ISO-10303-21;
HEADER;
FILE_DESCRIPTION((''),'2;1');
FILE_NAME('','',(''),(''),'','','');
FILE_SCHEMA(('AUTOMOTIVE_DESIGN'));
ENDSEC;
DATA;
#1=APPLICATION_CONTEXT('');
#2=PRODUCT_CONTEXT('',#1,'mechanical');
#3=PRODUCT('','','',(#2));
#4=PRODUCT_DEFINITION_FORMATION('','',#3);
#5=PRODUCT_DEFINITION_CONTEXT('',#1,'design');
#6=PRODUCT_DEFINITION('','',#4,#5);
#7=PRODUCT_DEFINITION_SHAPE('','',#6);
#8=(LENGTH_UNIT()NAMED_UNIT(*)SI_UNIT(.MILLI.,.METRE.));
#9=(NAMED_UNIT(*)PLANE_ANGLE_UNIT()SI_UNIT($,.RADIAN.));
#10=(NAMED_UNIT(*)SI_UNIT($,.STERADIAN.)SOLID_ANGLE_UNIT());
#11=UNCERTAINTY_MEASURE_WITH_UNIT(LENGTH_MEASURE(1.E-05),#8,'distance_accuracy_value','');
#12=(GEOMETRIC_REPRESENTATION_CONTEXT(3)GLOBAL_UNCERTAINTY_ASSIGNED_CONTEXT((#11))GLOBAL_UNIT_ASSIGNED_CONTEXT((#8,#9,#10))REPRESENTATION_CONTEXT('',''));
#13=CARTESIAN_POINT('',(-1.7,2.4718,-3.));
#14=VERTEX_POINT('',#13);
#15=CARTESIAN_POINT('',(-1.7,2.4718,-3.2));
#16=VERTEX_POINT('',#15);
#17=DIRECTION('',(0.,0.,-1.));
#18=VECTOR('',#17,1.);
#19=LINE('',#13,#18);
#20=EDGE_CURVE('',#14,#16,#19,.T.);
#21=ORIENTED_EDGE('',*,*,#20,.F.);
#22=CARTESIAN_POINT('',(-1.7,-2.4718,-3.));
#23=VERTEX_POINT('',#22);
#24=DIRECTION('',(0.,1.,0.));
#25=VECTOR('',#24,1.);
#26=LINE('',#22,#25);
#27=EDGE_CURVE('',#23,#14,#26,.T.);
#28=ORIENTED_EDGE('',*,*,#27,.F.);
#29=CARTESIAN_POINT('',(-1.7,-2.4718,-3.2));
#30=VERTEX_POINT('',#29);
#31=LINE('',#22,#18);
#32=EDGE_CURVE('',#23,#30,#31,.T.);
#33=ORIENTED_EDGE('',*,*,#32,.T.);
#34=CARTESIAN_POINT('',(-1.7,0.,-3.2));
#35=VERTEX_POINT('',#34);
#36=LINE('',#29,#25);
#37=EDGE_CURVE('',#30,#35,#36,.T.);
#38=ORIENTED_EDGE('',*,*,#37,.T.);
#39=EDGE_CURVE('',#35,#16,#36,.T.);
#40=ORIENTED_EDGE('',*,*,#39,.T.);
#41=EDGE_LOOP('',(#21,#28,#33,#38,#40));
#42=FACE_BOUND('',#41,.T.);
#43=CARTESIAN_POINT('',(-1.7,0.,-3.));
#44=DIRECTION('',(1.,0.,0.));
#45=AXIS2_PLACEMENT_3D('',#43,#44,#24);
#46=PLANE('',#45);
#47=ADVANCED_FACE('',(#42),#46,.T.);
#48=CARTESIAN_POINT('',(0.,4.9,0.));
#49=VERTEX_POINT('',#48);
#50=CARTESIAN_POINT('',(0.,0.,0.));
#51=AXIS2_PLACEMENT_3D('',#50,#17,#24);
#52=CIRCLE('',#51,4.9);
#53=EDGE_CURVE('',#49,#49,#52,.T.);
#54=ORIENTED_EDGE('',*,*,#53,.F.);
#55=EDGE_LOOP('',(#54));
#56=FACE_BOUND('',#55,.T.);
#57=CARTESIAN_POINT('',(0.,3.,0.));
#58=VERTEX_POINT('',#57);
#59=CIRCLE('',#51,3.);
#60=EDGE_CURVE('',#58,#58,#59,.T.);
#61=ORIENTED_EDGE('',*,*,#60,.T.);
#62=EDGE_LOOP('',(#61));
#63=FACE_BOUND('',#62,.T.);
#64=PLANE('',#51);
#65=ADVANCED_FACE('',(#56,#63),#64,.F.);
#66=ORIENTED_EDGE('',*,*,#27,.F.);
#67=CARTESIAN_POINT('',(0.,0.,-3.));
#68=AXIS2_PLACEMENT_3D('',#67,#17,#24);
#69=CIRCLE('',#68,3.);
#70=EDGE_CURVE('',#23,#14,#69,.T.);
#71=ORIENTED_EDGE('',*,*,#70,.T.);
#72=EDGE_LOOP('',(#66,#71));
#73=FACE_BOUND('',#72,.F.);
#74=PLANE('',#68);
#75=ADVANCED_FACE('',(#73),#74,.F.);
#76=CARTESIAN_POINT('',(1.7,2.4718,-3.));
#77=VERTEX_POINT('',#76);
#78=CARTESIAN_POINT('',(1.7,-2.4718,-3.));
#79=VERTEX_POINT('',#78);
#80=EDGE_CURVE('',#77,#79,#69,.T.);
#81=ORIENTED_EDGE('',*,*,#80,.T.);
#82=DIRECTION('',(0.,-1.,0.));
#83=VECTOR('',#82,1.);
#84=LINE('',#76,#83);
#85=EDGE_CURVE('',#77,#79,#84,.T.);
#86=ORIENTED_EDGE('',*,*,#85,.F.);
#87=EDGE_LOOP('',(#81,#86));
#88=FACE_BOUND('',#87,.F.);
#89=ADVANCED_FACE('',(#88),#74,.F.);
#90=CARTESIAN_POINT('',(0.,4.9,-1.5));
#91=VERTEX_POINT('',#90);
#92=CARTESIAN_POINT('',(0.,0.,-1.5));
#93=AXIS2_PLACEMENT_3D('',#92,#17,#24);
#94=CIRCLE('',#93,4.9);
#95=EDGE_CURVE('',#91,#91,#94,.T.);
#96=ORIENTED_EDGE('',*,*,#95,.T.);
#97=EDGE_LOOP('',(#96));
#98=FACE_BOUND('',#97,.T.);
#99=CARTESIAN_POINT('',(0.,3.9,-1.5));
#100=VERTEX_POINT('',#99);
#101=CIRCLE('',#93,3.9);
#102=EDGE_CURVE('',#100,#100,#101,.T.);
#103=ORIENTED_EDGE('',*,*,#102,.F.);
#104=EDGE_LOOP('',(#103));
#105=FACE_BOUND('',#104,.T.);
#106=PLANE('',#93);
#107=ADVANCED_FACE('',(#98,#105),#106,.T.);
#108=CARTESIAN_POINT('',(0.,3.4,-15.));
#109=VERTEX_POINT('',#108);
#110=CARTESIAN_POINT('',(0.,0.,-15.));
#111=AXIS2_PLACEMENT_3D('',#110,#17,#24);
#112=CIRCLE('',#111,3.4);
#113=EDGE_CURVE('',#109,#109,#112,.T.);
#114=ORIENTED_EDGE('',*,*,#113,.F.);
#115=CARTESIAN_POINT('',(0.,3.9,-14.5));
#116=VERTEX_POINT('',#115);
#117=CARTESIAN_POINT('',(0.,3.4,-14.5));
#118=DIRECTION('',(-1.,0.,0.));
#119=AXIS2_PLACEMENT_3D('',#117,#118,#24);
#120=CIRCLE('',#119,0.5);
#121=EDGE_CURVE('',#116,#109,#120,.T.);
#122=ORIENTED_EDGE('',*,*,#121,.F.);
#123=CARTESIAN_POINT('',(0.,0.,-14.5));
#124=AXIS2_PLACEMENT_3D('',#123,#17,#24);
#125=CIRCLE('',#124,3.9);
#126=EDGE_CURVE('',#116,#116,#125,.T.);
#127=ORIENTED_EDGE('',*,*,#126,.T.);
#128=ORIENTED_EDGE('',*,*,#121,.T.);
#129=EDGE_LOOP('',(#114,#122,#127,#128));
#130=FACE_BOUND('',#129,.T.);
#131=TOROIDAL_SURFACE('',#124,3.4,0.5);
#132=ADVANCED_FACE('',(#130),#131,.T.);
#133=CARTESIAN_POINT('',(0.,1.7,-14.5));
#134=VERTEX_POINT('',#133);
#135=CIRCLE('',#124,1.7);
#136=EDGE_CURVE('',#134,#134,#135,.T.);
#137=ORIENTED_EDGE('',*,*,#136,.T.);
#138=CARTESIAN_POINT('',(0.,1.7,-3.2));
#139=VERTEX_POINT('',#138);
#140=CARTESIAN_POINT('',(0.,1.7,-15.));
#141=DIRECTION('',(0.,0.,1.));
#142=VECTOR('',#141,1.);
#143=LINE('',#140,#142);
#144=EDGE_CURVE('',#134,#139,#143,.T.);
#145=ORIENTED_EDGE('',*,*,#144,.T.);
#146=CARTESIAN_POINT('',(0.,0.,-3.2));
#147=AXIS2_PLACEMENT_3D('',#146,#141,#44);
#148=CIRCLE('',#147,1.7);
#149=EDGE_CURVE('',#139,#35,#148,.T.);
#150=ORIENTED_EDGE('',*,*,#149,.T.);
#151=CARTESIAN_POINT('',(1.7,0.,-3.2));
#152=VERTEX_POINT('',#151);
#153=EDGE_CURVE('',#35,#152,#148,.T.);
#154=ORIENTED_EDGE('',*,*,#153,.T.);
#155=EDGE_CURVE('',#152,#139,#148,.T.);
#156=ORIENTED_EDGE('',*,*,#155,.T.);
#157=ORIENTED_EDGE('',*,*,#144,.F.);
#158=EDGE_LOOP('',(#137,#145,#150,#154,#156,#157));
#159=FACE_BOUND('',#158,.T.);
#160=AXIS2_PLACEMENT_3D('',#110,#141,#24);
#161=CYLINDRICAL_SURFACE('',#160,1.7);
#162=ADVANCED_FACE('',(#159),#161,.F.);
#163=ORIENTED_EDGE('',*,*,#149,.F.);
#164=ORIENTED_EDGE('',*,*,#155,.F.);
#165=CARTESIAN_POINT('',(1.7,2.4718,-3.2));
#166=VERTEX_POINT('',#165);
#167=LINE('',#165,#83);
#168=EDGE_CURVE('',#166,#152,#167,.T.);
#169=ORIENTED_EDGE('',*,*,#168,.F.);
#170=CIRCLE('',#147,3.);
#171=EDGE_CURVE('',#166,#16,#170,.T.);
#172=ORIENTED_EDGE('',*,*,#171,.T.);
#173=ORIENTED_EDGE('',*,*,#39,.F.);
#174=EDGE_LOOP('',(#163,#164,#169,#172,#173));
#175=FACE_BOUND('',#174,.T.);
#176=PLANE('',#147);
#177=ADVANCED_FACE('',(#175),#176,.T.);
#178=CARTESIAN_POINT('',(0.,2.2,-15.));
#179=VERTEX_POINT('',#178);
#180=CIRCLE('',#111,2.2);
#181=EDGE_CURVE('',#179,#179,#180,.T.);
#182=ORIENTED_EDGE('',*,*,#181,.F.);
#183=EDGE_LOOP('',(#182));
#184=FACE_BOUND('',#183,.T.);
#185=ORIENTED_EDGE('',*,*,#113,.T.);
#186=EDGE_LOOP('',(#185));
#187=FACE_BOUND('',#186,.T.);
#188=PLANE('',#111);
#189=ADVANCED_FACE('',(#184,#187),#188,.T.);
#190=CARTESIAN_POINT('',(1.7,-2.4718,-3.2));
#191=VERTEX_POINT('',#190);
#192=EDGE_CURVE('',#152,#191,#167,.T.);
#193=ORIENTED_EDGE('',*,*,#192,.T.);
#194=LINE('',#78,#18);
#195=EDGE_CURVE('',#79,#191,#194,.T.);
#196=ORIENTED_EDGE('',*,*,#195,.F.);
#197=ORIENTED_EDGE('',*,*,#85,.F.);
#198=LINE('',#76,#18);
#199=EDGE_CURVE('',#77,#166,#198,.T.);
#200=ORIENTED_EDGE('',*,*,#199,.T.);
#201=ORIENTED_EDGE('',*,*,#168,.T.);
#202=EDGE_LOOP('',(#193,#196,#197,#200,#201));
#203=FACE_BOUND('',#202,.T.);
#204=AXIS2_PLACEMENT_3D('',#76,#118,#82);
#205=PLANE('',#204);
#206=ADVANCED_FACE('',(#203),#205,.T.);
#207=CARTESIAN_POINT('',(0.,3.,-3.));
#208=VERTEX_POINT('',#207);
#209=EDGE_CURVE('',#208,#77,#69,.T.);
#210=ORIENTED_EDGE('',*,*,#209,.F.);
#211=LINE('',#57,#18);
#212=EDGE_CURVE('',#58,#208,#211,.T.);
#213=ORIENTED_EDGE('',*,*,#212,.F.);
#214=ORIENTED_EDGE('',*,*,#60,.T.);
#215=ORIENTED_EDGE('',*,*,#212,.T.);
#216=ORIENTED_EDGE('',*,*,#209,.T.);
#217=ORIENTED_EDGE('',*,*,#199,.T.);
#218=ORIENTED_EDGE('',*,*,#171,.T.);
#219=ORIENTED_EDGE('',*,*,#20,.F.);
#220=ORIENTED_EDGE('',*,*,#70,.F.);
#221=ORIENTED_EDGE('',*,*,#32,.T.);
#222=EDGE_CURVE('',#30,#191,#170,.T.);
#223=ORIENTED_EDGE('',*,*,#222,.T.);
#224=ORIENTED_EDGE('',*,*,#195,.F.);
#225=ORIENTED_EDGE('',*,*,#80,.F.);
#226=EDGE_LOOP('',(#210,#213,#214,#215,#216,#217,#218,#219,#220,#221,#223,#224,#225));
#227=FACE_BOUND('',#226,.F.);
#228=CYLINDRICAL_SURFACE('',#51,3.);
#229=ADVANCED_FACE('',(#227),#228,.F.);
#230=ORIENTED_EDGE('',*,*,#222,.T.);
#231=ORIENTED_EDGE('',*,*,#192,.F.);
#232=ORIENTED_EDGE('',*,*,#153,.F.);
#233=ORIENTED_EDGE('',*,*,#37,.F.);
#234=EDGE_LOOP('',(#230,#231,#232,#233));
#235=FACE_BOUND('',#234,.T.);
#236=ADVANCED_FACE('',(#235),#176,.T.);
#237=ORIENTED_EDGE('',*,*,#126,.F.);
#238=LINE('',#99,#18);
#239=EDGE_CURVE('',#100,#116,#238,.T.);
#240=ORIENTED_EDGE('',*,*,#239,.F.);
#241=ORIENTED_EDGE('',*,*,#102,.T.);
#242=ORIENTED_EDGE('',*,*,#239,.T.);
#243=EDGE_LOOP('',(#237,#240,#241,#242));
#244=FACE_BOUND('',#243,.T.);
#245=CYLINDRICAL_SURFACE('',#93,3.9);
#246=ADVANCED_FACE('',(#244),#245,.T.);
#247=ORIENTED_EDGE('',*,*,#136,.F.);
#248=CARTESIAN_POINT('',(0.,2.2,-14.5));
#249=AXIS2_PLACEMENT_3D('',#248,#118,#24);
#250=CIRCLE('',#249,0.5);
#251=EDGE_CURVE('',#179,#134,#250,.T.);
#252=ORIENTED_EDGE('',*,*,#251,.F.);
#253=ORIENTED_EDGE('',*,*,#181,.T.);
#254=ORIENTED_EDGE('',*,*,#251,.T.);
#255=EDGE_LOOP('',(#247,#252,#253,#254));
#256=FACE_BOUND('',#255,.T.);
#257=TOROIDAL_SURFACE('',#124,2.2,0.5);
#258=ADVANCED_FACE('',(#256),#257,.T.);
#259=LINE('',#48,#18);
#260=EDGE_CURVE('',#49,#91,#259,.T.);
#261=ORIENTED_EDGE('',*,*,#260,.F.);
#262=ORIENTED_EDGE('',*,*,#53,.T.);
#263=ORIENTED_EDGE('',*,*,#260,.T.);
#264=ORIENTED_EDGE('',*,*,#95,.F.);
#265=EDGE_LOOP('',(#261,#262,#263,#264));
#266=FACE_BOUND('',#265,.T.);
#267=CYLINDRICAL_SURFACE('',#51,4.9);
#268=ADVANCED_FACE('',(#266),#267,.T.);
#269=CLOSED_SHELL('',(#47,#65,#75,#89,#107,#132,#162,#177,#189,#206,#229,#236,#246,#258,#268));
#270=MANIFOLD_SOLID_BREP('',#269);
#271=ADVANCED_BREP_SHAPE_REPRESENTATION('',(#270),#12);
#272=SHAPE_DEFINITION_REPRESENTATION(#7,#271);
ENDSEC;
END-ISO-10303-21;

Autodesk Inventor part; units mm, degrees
ref_plane "YZ Plane" through (0, 0, 0) normal (1, 0, 0) x (0, 1, 0)
ref_plane "XZ Plane" through (0, 0, 0) normal (0, 1, 0) x (-1, 0, 0)
ref_plane "XY Plane" through (0, 0, 0) normal (0, 0, 1) x (1, 0, 0)
sketch "Sketch1" plane through (0, 0, 0) normal (1, 0, 0) x (0, 1, 0)
  line L0 (0, 0) -> (1.65, 0) construction
  line L1 (1.65, 0) -> (3, 0) construction
  line L2 (4.9, 0) -> (4.9, -1.5)
  line L3 (4.9, -1.5) -> (3.9, -1.5)
  line L4 (3.9, -1.5) -> (3.9, -15)
  line L5 (3.9, -15) -> (1.7, -15)
  line L6 (1.7, -15) -> (1.7, -3)
  line L7 (0, 0) -> (0, -13.7466) construction
  line L8 (3, 0) -> (3, -3)
  line L9 (3, -3) -> (1.7, -3)
  line L10 (3, 0) -> (4.9, 0)
  dimension "d0" = 1.7
  dimension "d1" = 3.9
  dimension "d2" = 1
  dimension "d3" = 1.5
  dimension "d4" = 13.5
  dimension "d6" = 3
  dimension "d7" = 3
revolve "Revolution1" add sketch "Sketch1" angle 360 about axis through (0, 0, 0) along (0, 0, -1)
fillet "Fillet1" radius 0.5 2 edges at (0, -1.7, -15) (0, -3.9, -15)
sketch "Sketch2" plane through (0, 0, -3) normal (0, 0, 1) x (1, 0, 0)
  circle A0 centre (0, 0) radius 3 projected
  line L0 (-1.7, 2.4718) -> (1.7, 2.4718) construction
  line L1 (1.7, 2.4718) -> (1.7, -2.4718)
  line L2 (1.7, -2.4718) -> (-1.7, -2.4718) construction
  line L3 (-1.7, -2.4718) -> (-1.7, 2.4718)
  circle A1 centre (0, 0) radius 1.7 projected
  point P0 (-1.7, 0)
  point P1 (1.7, 0)
extrude "Extrusion1" cut sketch "Sketch2" against normal blind 0.2 contours L1 A1 L3 A0 | A0 L3 A1 L1
properties part number "HD_BearingShaft2"
